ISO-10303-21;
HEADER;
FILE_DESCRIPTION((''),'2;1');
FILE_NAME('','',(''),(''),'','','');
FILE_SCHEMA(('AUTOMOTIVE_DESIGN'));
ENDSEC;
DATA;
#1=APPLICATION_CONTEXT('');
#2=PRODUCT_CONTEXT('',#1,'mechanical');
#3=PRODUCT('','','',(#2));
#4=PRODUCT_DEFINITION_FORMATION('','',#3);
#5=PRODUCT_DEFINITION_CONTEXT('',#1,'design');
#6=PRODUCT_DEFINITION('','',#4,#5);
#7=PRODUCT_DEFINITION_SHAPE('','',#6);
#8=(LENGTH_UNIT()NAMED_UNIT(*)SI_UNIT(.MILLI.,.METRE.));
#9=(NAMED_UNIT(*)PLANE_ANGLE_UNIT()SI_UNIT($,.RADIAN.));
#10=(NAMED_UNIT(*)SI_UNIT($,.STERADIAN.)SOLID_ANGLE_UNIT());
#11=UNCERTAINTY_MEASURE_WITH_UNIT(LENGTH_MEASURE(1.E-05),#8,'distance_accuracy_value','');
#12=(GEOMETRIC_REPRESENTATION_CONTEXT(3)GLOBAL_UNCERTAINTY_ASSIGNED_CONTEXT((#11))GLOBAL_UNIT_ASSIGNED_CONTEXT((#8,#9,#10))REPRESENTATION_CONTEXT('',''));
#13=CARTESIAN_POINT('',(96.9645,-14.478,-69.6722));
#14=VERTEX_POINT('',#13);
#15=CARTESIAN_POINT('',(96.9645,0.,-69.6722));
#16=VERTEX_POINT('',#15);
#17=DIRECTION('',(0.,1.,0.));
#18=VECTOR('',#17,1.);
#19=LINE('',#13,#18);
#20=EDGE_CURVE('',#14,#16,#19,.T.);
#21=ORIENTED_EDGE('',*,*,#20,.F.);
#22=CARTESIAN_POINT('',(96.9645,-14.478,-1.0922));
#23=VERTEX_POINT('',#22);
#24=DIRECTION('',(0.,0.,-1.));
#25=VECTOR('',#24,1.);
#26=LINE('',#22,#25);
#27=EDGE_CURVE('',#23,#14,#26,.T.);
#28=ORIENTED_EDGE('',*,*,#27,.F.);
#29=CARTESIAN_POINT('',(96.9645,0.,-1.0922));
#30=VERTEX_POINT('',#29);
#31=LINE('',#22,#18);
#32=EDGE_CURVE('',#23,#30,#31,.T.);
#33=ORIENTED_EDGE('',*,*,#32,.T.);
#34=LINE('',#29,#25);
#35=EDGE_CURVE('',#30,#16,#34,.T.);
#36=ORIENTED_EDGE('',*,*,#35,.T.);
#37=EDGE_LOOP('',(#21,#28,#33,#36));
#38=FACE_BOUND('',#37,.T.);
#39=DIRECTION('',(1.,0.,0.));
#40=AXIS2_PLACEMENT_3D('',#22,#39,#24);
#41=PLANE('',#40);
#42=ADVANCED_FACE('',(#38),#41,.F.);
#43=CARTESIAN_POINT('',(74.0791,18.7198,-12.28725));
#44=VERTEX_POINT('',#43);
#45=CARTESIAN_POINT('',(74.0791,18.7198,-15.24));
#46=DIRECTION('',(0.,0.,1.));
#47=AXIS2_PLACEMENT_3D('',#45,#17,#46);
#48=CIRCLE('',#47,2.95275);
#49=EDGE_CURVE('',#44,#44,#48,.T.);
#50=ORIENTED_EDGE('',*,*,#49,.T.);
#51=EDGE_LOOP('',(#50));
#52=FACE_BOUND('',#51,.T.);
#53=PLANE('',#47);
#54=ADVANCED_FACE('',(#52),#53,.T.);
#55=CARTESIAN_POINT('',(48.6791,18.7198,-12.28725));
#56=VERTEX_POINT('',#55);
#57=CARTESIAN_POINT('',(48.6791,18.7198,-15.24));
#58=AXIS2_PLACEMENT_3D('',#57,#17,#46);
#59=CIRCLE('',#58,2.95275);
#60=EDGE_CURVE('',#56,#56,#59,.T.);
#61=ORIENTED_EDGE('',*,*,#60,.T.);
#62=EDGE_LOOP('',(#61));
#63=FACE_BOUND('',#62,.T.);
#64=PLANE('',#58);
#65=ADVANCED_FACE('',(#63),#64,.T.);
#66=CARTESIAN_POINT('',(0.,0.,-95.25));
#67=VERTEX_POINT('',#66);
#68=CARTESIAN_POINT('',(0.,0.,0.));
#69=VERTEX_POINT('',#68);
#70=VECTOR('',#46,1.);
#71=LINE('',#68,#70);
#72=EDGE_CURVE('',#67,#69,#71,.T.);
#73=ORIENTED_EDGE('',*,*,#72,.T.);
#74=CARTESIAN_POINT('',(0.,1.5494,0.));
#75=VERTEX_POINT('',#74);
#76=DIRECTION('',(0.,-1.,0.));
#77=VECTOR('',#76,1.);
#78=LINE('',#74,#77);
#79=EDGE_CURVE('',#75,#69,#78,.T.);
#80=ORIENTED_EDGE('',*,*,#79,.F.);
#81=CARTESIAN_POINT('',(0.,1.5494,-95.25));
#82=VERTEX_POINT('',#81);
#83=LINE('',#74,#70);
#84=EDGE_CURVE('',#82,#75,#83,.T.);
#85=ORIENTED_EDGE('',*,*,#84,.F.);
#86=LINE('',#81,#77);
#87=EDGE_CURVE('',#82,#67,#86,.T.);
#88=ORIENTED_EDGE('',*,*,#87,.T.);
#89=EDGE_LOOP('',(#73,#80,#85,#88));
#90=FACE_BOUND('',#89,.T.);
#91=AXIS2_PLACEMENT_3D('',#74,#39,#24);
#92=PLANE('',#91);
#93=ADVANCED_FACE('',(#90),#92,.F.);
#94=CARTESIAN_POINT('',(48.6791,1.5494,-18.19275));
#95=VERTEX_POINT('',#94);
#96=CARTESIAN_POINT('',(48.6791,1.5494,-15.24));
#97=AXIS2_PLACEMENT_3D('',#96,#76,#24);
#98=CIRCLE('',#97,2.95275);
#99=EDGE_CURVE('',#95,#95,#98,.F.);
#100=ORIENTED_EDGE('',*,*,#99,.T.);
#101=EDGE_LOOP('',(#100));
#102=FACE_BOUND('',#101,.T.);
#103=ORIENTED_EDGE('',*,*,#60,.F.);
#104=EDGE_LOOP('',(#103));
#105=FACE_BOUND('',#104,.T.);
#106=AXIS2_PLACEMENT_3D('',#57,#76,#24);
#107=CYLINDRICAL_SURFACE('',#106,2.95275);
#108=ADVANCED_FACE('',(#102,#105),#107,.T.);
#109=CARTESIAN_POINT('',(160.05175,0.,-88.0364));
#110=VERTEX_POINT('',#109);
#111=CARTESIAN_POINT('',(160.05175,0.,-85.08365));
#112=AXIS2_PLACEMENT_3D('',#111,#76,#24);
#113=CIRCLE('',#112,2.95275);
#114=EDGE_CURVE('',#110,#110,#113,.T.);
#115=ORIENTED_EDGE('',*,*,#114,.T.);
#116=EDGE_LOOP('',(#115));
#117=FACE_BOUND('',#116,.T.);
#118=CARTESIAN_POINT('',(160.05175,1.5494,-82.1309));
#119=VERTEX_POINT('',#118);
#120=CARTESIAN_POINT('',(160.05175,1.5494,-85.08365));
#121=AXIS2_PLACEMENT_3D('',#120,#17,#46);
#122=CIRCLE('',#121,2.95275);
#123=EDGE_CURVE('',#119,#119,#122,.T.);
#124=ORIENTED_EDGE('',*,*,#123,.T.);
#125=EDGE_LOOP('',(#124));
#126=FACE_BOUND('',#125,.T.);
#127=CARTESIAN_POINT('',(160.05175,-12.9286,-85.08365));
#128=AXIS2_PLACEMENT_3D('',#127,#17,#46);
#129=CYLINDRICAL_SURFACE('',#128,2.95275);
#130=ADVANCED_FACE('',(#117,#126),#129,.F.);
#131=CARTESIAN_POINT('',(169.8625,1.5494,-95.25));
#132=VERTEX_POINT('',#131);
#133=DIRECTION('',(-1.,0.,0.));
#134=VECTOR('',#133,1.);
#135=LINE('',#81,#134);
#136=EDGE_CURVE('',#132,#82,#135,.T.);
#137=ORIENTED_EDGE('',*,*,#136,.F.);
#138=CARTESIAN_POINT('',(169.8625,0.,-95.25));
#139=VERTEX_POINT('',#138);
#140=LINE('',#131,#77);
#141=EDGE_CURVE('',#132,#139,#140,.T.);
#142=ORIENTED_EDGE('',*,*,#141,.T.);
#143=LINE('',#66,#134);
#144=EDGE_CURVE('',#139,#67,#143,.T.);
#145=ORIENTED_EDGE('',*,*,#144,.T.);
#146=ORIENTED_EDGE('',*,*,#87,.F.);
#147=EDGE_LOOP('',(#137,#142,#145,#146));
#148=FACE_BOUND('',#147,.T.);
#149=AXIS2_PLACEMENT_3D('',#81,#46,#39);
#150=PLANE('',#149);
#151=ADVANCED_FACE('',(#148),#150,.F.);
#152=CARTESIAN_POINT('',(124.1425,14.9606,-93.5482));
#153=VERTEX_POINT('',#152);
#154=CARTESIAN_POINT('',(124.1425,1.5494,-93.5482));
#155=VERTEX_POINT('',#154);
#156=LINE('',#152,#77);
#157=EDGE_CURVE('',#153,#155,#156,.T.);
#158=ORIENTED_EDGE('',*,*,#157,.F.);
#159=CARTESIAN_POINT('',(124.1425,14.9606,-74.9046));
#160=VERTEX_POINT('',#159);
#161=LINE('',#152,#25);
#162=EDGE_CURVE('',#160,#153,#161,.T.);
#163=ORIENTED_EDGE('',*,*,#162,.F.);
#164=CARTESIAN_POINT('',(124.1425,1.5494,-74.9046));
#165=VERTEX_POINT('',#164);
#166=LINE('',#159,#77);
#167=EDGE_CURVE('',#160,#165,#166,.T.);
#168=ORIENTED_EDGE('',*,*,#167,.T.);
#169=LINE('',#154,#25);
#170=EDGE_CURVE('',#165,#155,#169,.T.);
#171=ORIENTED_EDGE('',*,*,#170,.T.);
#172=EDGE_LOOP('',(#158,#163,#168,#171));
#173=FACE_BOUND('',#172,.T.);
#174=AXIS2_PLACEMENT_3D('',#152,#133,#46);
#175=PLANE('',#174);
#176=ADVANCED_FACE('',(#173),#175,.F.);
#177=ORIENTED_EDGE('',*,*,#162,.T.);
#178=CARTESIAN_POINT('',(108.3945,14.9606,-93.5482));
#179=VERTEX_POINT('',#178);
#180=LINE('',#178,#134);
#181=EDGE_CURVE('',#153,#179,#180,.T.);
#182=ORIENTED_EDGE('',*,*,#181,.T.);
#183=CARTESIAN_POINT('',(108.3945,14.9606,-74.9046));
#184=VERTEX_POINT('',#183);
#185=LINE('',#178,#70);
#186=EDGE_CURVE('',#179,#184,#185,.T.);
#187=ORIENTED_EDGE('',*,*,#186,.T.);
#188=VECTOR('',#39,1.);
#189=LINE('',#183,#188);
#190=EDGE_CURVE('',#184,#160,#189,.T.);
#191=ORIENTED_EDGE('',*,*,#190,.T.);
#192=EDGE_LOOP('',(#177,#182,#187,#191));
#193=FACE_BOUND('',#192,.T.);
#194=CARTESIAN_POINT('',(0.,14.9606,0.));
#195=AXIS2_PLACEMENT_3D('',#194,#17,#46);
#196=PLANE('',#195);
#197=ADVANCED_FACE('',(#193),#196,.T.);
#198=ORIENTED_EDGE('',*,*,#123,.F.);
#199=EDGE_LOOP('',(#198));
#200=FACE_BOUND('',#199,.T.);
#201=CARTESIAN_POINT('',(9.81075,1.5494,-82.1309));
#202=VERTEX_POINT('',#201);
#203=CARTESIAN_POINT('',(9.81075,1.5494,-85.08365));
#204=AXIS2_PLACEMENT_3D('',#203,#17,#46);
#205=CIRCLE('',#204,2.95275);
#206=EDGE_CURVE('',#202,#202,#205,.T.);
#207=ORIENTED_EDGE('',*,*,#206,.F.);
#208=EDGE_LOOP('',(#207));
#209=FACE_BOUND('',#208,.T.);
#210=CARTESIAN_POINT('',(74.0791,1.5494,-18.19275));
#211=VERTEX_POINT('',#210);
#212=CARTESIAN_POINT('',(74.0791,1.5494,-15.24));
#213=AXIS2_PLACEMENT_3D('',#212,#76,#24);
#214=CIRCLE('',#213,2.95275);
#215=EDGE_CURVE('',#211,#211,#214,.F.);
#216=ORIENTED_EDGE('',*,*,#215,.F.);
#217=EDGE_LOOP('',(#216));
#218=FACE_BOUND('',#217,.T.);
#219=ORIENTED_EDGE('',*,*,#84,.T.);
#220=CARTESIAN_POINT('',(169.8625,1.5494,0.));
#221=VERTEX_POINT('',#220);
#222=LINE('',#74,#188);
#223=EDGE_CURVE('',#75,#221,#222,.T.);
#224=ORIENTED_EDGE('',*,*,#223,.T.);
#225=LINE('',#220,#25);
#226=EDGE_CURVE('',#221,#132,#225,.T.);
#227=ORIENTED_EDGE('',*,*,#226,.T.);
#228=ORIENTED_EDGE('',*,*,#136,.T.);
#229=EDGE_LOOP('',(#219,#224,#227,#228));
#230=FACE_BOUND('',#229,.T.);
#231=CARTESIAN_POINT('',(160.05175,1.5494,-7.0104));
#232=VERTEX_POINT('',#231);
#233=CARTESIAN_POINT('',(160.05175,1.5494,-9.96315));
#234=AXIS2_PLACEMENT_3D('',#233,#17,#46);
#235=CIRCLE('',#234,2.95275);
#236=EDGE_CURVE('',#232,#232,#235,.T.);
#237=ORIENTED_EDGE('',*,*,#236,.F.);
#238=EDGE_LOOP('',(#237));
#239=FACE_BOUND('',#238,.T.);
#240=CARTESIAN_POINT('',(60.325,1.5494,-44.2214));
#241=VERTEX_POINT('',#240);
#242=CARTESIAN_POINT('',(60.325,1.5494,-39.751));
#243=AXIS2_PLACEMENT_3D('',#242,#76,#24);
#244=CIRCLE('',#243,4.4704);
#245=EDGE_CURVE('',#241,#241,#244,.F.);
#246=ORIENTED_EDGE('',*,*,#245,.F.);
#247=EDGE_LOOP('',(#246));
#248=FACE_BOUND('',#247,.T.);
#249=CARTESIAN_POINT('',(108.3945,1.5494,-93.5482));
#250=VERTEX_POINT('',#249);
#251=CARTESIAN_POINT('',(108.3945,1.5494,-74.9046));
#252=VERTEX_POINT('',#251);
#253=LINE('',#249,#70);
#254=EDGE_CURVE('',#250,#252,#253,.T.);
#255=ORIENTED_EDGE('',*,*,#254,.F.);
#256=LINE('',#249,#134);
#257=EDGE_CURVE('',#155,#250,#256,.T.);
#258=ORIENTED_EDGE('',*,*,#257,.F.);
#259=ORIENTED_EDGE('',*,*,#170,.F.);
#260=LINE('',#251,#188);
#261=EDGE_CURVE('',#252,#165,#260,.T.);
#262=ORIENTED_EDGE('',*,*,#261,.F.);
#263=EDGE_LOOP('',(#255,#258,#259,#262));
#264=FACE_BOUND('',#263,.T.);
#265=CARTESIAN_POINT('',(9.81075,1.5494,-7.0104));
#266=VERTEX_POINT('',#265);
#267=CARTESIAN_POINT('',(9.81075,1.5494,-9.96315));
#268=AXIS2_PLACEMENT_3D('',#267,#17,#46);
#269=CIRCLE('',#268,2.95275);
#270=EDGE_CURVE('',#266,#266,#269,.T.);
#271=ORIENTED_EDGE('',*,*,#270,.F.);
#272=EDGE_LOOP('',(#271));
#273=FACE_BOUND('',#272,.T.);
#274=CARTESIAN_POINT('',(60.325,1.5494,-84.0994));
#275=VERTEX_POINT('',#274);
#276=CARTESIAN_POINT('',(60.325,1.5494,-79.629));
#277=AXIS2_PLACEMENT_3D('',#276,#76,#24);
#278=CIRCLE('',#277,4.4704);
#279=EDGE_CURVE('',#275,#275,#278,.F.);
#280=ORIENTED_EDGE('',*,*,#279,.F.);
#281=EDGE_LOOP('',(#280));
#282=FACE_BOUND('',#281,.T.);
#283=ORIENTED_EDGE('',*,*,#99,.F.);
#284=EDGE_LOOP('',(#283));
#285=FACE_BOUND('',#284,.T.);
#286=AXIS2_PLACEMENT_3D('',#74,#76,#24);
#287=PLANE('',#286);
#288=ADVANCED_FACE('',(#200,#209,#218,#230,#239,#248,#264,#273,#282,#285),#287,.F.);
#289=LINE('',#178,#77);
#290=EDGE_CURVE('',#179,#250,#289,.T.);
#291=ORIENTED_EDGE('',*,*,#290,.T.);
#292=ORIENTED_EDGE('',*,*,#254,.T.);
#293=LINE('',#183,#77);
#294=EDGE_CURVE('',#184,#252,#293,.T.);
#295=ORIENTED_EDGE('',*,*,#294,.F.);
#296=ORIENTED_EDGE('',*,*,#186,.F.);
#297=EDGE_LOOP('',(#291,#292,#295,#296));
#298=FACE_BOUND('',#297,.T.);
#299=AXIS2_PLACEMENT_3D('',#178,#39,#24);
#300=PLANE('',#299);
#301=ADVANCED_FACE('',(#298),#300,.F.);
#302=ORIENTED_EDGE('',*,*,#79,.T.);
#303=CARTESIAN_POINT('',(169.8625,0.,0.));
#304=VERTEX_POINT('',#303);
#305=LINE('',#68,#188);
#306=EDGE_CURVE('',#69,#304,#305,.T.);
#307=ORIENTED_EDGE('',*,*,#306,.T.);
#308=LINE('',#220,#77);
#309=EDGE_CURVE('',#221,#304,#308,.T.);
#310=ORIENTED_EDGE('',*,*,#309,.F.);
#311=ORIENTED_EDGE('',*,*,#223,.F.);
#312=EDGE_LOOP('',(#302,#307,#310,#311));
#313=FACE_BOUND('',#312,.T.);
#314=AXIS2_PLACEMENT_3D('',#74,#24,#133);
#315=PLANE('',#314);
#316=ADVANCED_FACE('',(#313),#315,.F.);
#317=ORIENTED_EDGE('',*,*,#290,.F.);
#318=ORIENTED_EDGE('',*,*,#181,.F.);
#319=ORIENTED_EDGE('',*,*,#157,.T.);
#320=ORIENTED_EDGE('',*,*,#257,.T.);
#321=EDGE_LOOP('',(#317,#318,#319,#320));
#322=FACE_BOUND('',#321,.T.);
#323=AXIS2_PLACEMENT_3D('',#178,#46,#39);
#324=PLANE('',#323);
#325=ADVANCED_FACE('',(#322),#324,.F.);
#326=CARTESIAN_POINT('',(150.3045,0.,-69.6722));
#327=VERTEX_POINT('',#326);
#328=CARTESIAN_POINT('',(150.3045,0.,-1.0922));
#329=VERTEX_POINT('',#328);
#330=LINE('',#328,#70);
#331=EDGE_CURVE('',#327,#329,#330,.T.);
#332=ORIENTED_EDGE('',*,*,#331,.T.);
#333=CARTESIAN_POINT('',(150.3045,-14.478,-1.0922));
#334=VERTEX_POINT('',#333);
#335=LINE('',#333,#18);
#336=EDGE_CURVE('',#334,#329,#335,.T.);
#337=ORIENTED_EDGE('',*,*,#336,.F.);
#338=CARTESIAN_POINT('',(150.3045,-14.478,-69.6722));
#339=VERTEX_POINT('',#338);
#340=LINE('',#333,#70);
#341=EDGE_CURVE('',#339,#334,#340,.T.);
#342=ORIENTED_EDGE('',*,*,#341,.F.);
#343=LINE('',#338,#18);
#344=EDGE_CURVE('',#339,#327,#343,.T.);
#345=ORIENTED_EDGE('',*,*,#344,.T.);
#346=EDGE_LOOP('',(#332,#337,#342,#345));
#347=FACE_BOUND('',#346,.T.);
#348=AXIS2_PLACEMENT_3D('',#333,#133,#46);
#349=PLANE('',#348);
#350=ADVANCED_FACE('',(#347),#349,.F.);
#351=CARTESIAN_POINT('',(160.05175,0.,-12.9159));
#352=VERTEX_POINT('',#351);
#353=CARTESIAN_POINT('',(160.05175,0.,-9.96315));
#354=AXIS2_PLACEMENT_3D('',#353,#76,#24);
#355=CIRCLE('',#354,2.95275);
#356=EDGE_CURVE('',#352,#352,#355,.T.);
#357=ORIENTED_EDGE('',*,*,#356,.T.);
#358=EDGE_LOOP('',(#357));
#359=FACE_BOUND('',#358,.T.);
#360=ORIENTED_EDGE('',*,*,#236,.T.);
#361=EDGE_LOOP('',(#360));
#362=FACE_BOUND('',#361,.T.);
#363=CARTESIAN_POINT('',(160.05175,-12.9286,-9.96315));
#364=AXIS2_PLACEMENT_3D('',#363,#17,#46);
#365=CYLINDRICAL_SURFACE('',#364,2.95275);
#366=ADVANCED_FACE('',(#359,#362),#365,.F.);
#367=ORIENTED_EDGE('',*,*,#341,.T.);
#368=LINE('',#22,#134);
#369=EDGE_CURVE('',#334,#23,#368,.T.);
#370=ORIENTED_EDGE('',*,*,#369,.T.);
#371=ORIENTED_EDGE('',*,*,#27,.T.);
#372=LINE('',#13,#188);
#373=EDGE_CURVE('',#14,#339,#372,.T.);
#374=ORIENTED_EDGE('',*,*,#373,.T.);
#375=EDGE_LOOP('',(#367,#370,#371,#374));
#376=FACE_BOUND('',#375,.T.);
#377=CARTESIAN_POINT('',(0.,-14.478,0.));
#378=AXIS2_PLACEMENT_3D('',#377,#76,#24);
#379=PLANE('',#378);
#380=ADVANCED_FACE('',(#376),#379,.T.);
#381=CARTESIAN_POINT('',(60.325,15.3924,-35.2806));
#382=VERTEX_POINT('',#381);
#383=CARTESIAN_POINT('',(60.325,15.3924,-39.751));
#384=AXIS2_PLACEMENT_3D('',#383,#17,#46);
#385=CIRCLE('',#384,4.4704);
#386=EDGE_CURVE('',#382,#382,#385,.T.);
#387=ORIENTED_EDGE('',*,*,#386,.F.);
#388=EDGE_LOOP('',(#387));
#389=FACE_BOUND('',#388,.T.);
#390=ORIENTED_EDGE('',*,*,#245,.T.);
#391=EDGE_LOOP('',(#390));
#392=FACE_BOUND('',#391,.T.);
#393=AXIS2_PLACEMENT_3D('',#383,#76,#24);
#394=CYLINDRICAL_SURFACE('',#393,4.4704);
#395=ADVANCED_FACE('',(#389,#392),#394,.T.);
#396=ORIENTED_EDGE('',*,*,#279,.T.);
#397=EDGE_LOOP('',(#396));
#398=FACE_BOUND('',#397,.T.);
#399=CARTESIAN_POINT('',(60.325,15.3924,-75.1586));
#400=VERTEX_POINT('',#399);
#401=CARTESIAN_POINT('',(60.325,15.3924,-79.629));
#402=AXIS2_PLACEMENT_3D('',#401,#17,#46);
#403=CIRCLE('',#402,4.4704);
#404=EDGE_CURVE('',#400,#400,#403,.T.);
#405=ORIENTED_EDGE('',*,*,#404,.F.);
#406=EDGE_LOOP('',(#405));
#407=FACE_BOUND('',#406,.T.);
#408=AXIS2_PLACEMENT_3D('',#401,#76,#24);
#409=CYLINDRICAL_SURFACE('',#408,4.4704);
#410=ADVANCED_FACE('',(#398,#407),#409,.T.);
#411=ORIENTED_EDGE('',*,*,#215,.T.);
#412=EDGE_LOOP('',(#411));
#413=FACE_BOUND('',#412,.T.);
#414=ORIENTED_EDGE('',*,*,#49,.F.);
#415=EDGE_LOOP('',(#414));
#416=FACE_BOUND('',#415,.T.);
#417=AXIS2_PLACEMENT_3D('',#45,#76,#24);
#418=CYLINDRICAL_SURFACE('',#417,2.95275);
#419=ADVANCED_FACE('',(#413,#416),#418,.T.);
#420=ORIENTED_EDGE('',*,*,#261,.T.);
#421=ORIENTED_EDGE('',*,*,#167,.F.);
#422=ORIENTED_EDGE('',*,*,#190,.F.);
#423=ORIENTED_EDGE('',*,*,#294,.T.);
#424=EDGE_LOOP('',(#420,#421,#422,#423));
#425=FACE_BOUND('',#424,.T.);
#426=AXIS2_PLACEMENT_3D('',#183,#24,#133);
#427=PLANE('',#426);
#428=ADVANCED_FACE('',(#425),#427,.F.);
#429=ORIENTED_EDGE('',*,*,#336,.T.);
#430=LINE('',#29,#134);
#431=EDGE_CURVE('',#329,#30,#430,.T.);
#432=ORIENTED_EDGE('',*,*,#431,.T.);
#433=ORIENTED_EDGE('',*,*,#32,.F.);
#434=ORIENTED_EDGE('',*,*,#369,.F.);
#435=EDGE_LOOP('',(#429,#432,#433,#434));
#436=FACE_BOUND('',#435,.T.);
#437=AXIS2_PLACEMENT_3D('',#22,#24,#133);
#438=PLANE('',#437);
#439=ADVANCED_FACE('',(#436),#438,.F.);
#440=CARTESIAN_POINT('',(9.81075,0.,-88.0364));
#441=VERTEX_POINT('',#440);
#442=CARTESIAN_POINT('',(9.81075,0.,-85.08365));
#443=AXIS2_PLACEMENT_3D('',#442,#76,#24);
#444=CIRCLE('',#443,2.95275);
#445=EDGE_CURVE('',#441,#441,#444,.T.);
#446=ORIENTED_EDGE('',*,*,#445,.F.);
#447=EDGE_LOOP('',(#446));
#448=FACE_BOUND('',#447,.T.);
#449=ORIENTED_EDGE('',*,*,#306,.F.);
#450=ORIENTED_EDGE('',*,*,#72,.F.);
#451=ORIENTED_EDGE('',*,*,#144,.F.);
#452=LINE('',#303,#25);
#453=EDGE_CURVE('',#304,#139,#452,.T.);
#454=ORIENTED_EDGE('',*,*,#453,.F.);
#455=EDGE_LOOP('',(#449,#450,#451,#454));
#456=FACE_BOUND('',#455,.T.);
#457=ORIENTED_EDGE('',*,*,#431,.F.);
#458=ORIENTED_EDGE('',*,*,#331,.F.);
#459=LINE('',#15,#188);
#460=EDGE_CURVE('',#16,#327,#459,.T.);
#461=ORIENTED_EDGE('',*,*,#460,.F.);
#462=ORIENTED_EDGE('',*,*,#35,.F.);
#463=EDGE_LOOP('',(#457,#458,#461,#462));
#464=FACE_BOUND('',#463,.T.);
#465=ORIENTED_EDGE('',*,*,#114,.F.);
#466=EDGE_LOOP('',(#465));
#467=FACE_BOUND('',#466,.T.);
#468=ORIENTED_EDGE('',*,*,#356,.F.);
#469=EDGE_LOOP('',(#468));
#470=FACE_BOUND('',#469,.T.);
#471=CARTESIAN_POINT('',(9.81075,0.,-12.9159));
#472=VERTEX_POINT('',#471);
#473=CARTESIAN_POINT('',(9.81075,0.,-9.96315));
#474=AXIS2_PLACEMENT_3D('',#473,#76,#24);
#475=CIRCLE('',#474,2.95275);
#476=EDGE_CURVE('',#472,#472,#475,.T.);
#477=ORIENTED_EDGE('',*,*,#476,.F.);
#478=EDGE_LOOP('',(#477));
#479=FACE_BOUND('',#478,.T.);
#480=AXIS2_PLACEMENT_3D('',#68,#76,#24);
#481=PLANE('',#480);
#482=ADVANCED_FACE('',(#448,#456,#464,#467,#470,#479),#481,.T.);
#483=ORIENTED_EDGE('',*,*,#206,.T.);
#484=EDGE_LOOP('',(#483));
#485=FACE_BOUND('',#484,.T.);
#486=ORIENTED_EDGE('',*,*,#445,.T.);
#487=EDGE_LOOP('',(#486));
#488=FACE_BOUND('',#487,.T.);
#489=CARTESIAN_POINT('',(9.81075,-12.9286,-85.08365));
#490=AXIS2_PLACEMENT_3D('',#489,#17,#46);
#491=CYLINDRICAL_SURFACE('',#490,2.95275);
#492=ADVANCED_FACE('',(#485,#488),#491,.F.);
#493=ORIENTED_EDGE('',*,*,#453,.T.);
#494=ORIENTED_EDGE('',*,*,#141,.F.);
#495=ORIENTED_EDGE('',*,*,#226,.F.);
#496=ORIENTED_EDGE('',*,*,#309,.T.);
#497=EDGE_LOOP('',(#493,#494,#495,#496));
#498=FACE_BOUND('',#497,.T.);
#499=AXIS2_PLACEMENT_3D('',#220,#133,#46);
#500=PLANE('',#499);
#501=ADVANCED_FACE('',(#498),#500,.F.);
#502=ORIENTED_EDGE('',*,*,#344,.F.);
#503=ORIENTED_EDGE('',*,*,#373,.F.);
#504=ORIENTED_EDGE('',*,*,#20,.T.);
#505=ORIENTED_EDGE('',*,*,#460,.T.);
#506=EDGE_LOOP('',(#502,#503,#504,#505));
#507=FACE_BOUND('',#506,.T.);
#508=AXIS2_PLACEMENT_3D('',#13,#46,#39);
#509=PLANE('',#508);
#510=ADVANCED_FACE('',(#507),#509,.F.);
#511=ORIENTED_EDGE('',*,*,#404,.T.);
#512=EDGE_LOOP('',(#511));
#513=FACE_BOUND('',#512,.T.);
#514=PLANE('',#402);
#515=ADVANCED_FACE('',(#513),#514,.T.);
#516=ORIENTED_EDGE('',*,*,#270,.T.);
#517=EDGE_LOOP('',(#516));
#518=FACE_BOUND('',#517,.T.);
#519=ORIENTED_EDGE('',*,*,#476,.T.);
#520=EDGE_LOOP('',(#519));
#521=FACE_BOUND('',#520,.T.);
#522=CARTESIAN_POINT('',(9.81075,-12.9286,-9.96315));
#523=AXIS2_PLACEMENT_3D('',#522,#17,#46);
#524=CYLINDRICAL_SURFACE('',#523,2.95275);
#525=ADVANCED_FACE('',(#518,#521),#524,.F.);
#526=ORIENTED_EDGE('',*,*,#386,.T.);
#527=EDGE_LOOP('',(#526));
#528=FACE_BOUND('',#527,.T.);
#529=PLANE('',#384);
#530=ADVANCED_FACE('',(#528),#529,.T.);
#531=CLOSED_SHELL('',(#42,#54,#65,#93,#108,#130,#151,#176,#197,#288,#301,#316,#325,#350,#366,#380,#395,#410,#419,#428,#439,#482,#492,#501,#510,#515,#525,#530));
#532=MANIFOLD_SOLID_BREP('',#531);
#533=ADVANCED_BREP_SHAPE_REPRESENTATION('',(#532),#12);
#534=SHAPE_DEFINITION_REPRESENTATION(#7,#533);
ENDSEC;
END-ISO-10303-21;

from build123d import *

# Parameters (mm, degrees)
SKETCH1_W           = 169.8625
SKETCH1_H           = 95.25
BOSS_EXTRUDE1_DEPTH = 1.5494
SKETCH2_W           = 15.748
SKETCH2_H           = 18.6436
BOSS_EXTRUDE2_DEPTH = 13.4112
SKETCH3_R           = 4.4704
BOSS_EXTRUDE3_DEPTH = 13.843
SKETCH4_R           = 2.95275
BOSS_EXTRUDE4_DEPTH = 17.1704
SKETCH5_W           = 53.34
SKETCH5_H           = 68.58
BOSS_EXTRUDE5_DEPTH = 14.478
SKETCH6_R           = 2.95275
CUT_EXTRUDE1_DEPTH  = 14.478


with BuildPart() as part:
    # Sketch1 → Boss-Extrude1 (new body)
    with BuildSketch(Plane(origin=(0, 0, 0), x_dir=(1, 0, 0), z_dir=(0, 1, 0))):
        with Locations((84.93125, 47.625)):
            Rectangle(SKETCH1_W, SKETCH1_H)
    extrude(amount=BOSS_EXTRUDE1_DEPTH)

    # Sketch2 → Boss-Extrude2 (add)
    with BuildSketch(Plane(origin=(0, 1.5494, 0), x_dir=(1, 0, 0), z_dir=(0, 1, 0))):
        with Locations((116.2685, 84.2264)):
            Rectangle(SKETCH2_W, SKETCH2_H)
    extrude(amount=BOSS_EXTRUDE2_DEPTH)

    # Sketch3 → Boss-Extrude3 (add)
    with BuildSketch(Plane(origin=(0, 1.5494, 0), x_dir=(1, 0, 0), z_dir=(0, 1, 0))):
        with Locations((60.325, 79.629)):
            Circle(SKETCH3_R)
        with Locations((60.325, 39.751)):
            Circle(SKETCH3_R)
    extrude(amount=BOSS_EXTRUDE3_DEPTH)

    # Sketch4 → Boss-Extrude4 (add)
    with BuildSketch(Plane(origin=(0, 1.5494, 0), x_dir=(1, 0, 0), z_dir=(0, 1, 0))):
        with Locations((48.6791, 15.24)):
            Circle(SKETCH4_R)
        with Locations((74.0791, 15.24)):
            Circle(SKETCH4_R)
    extrude(amount=BOSS_EXTRUDE4_DEPTH)

    # Sketch5 → Boss-Extrude5 (add)
    with BuildSketch(Plane(origin=(0, 0, 0), x_dir=(-1, 0, 0), z_dir=(0, -1, 0))):
        with Locations((-123.6345, 35.3822)):
            Rectangle(SKETCH5_W, SKETCH5_H)
    extrude(amount=BOSS_EXTRUDE5_DEPTH)

    # Sketch6 → Cut-Extrude1 (cut)
    with BuildSketch(Plane(origin=(0, 1.5494, 0), x_dir=(1, 0, 0), z_dir=(0, 1, 0))):
        with Locations((9.81075, 85.08365)):
            Circle(SKETCH6_R)
        with Locations((160.05175, 85.08365)):
            Circle(SKETCH6_R)
        with Locations((160.05175, 9.96315)):
            Circle(SKETCH6_R)
        with Locations((9.81075, 9.96315)):
            Circle(SKETCH6_R)
    extrude(amount=-CUT_EXTRUDE1_DEPTH, mode=Mode.SUBTRACT)


solid = part.part
